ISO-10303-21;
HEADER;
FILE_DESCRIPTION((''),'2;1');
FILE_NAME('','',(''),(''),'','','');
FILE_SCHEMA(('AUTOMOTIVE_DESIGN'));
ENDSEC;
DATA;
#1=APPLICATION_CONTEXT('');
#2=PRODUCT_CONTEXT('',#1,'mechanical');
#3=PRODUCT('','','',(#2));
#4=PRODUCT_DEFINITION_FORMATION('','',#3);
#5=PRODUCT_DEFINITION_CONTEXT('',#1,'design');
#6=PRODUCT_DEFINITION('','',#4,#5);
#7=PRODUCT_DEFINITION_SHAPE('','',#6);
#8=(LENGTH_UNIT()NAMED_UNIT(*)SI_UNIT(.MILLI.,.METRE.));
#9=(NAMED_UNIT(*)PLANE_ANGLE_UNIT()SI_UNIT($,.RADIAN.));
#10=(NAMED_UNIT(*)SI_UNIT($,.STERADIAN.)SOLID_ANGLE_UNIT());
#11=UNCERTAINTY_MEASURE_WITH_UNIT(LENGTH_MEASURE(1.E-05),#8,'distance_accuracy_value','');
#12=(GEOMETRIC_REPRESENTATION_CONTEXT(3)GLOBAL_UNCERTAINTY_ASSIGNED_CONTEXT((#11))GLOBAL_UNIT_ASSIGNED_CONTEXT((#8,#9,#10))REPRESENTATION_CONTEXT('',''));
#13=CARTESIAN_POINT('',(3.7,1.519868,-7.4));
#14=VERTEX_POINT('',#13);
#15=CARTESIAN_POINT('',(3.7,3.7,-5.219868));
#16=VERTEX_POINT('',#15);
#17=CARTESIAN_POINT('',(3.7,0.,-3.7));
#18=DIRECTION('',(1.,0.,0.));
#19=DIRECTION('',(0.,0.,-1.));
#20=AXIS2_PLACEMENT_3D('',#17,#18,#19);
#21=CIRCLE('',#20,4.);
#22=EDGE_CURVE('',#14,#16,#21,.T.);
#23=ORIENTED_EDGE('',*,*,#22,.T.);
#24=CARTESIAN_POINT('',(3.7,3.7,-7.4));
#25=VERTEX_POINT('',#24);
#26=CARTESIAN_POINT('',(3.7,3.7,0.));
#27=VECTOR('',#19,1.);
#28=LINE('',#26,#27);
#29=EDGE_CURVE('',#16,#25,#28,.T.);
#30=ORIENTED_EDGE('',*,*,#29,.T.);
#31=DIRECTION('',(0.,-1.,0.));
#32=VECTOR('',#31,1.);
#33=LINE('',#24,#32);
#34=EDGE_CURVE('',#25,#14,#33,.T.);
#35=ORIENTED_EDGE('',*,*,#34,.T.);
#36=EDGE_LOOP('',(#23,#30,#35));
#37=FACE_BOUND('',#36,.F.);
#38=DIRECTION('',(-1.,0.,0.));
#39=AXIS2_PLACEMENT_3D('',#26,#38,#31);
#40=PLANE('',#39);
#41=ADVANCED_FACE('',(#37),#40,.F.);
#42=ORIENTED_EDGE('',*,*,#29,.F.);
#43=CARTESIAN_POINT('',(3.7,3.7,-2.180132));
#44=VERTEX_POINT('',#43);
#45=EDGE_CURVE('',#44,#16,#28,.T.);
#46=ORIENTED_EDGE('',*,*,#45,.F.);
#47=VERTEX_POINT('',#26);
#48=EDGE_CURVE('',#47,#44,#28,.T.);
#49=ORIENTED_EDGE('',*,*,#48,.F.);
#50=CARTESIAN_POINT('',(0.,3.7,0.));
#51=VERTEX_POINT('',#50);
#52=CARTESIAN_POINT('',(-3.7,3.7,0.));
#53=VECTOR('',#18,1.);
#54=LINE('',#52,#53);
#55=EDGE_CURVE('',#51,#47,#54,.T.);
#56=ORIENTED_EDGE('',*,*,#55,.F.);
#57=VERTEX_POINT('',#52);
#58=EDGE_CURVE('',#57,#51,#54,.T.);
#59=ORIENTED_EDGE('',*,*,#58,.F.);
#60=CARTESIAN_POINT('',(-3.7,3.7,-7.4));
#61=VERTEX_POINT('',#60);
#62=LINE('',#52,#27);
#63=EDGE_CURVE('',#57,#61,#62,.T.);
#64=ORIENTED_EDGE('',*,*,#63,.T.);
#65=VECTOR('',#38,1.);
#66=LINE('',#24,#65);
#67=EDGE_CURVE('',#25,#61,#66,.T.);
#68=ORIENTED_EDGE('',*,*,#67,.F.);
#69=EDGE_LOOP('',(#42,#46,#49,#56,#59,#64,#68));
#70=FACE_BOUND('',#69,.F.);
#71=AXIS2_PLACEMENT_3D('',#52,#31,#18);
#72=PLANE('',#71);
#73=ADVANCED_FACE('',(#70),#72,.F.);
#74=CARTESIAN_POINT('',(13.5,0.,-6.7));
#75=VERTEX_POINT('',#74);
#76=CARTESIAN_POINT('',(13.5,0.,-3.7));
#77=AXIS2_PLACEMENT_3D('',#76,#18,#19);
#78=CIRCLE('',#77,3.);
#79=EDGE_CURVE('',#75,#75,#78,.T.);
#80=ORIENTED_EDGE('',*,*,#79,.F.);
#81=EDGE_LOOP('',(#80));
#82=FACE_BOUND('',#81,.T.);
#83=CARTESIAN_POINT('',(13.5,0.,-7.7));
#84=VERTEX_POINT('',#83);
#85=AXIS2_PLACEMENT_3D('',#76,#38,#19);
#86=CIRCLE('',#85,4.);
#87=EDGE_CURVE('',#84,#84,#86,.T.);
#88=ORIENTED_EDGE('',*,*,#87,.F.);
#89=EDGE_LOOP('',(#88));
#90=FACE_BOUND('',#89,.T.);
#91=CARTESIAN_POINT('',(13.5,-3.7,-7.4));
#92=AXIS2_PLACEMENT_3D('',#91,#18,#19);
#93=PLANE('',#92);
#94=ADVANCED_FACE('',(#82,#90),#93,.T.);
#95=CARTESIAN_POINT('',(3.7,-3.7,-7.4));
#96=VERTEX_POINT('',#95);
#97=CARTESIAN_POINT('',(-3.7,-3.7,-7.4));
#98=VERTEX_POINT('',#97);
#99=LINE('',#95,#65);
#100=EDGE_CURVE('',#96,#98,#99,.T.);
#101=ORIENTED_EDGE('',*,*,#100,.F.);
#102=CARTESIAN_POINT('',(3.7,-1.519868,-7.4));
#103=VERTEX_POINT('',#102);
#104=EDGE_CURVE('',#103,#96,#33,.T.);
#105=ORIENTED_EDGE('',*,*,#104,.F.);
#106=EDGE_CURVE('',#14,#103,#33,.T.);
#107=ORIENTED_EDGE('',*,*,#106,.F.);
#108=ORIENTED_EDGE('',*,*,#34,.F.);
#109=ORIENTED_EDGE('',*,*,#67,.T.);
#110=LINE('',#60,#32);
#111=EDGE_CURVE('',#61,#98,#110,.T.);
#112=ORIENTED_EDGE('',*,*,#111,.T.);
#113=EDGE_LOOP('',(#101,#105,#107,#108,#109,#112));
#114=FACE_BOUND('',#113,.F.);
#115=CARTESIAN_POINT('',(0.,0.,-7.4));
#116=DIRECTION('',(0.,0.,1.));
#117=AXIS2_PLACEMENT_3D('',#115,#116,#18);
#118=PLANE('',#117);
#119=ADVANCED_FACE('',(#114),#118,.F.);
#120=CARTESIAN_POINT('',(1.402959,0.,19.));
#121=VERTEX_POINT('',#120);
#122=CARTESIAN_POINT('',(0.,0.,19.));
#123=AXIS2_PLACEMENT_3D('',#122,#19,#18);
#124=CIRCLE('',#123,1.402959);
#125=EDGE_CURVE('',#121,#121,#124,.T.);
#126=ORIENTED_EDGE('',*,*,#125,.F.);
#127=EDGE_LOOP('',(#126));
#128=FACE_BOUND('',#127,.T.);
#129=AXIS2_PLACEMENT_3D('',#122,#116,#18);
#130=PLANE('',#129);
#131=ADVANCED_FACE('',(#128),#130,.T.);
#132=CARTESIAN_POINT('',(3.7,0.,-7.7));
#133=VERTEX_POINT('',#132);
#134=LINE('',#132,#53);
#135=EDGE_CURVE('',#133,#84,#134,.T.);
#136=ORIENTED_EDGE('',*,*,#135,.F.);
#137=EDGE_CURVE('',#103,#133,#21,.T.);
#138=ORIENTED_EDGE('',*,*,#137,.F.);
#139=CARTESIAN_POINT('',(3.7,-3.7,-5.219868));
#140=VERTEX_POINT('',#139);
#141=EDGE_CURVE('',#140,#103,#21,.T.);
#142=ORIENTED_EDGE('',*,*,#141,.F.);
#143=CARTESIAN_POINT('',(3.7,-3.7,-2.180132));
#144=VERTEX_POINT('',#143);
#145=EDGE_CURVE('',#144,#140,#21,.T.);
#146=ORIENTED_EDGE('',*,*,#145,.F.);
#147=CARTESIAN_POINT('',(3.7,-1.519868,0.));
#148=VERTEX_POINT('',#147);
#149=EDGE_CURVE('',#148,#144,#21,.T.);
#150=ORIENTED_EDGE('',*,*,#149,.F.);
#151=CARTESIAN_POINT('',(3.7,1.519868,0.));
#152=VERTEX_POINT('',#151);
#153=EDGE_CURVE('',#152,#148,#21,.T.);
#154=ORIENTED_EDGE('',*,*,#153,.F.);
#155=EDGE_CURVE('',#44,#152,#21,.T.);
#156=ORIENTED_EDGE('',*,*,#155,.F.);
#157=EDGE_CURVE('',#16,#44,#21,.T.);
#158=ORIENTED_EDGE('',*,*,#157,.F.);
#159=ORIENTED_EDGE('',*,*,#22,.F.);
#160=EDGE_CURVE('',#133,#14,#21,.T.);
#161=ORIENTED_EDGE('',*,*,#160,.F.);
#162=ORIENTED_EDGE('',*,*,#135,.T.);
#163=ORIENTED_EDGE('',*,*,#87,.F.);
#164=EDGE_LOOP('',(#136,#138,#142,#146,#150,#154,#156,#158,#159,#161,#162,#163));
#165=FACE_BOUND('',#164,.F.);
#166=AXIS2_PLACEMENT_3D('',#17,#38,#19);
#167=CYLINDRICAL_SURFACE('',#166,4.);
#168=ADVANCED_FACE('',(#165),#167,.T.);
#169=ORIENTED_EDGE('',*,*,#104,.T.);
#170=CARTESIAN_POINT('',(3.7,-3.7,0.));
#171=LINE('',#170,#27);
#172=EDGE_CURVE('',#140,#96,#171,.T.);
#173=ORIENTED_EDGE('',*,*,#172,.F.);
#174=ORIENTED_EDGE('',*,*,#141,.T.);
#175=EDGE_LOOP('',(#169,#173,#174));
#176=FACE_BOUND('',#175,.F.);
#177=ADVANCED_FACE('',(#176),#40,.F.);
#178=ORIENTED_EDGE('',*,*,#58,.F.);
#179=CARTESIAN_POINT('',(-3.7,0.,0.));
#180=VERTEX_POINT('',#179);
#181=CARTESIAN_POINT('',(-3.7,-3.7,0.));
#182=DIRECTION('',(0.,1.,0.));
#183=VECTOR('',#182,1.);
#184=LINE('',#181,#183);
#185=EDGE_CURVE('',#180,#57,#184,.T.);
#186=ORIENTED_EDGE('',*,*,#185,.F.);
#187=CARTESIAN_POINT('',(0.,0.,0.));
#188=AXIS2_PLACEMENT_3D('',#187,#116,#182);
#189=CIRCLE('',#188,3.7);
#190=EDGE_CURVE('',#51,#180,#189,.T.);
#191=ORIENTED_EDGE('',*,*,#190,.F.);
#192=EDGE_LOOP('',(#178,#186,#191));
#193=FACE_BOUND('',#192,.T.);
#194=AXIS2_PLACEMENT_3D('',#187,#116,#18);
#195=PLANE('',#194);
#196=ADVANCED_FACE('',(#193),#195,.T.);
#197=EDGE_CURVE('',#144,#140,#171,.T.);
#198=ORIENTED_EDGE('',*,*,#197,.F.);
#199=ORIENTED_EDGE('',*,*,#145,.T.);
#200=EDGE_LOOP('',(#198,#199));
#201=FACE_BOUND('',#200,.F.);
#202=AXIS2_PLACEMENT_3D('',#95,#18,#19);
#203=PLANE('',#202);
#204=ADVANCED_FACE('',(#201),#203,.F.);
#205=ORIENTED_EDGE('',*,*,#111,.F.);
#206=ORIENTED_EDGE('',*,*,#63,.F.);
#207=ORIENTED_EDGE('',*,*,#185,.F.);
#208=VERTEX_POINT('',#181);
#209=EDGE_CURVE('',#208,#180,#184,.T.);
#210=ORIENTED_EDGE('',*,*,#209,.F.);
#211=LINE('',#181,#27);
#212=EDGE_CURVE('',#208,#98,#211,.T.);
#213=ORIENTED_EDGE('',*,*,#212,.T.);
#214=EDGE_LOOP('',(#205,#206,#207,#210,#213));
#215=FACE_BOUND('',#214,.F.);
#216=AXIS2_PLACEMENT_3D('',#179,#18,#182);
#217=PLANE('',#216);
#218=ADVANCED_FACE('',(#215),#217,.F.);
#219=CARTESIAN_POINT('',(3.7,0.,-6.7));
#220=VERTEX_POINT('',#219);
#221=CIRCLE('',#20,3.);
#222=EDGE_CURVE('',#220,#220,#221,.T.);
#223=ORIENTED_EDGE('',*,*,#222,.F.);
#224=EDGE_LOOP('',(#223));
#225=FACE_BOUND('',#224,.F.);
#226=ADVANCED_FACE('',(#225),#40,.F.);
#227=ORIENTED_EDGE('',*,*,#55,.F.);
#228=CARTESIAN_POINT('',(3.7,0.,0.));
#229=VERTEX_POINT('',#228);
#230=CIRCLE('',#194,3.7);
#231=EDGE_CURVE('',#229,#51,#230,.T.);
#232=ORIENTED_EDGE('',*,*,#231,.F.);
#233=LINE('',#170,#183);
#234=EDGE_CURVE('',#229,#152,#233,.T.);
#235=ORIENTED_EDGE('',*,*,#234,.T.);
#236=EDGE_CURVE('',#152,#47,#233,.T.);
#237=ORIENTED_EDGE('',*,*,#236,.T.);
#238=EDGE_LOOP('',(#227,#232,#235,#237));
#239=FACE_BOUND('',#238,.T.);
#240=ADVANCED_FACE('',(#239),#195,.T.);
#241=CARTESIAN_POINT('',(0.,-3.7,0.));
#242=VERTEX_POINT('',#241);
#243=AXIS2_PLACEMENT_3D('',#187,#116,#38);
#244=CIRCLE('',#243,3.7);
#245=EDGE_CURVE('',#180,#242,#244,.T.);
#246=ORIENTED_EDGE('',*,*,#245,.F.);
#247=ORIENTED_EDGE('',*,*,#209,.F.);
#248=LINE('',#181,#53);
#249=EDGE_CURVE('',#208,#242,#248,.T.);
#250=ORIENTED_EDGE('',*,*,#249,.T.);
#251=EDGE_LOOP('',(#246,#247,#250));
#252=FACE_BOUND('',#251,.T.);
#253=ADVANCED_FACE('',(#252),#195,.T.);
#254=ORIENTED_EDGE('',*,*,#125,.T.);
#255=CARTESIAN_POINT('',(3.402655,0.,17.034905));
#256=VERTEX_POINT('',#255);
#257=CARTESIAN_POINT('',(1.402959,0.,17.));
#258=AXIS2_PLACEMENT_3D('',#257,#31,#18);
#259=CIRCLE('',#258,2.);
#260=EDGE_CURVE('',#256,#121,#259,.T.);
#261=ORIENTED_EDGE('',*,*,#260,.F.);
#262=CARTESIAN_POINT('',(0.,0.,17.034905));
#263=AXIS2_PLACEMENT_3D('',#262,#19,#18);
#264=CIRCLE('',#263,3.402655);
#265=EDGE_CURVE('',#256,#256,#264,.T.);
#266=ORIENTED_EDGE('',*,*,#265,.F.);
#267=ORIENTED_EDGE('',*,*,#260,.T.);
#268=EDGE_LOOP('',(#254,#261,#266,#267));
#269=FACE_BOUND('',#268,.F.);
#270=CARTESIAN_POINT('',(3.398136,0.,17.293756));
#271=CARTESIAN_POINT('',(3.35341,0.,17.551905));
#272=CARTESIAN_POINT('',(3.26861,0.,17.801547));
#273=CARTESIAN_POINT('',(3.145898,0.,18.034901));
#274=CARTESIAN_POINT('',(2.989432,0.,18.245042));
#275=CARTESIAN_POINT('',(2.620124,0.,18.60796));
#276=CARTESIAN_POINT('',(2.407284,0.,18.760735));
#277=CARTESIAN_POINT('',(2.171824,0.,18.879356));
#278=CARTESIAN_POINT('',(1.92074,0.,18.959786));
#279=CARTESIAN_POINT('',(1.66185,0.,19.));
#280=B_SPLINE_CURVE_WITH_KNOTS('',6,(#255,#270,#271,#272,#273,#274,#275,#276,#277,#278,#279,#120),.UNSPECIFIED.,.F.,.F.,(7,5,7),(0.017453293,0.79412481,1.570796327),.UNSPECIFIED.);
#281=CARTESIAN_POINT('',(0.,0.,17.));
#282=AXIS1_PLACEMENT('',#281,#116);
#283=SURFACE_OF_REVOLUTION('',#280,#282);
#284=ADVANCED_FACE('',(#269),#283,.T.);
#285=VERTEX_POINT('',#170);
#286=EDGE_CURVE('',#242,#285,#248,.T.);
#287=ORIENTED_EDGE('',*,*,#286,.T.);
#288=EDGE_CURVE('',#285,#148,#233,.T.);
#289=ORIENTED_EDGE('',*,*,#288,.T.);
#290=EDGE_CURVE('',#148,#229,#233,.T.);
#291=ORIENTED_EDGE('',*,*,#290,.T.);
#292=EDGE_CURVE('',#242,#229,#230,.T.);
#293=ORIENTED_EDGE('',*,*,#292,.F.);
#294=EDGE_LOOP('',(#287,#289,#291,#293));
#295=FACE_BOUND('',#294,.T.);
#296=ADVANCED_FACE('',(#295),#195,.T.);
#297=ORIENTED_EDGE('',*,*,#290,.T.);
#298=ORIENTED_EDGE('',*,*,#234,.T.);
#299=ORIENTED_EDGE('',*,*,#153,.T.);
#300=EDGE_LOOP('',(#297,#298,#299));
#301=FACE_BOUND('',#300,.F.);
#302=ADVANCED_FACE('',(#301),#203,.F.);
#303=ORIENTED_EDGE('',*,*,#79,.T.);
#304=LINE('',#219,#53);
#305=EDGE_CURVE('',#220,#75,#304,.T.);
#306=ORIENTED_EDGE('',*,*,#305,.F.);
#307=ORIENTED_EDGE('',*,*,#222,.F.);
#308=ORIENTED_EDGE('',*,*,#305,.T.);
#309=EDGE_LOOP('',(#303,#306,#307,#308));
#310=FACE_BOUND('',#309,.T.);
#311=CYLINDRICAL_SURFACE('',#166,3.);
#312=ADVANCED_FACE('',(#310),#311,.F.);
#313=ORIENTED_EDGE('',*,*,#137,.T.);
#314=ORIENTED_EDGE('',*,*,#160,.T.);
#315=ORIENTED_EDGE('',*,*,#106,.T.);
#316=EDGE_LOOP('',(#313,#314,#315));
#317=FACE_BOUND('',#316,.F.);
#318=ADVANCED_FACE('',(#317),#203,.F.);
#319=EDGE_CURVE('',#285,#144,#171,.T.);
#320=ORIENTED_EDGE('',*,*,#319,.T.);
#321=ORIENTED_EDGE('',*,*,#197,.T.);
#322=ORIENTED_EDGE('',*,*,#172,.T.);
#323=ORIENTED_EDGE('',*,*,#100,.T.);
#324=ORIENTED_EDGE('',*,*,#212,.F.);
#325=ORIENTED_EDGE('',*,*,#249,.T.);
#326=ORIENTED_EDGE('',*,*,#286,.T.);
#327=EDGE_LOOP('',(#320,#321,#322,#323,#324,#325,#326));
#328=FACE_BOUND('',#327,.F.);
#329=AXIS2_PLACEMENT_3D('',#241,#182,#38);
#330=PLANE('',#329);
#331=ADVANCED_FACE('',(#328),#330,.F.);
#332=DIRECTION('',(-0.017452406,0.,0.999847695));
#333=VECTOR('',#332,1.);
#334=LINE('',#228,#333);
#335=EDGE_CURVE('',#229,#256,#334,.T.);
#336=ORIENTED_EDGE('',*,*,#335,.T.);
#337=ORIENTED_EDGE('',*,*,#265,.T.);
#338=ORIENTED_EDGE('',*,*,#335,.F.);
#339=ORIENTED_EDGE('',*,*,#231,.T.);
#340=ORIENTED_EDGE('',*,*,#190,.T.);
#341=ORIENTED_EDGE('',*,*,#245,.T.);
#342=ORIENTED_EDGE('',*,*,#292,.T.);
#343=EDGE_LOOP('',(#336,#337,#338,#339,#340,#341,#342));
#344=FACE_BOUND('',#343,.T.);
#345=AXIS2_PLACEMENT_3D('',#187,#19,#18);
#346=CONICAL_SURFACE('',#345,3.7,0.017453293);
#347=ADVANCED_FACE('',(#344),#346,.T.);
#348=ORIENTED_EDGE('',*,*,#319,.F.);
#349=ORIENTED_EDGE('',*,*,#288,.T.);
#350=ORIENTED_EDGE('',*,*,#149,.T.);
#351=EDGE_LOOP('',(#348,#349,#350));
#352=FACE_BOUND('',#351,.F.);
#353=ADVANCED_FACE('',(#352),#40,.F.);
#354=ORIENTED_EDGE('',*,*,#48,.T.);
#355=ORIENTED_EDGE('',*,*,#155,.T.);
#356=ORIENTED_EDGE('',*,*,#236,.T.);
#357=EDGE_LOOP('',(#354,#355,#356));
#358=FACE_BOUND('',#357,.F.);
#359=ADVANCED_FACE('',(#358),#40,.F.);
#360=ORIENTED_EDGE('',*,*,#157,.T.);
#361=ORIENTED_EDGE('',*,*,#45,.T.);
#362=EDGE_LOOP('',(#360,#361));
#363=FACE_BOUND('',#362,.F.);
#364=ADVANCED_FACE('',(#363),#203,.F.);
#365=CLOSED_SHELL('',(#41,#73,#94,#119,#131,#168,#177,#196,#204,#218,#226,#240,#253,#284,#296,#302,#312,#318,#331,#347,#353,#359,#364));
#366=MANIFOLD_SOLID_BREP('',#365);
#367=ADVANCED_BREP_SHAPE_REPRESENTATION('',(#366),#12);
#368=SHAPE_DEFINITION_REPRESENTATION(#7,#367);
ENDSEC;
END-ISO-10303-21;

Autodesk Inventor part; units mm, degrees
ref_plane "YZ Plane" through (0, 0, 0) normal (1, 0, 0) x (0, 1, 0)
ref_plane "XZ Plane" through (0, 0, 0) normal (0, 1, 0) x (-1, 0, 0)
ref_plane "XY Plane" through (0, 0, 0) normal (0, 0, 1) x (1, 0, 0)
sketch "Skizze1" plane through (0, 0, 0) normal (0, 0, 1) x (1, 0, 0)
  line L0 (-3.7, 3.7) -> (3.7, 3.7)
  line L1 (3.7, 3.7) -> (3.7, -3.7)
  line L2 (3.7, -3.7) -> (-3.7, -3.7)
  line L3 (-3.7, -3.7) -> (-3.7, 3.7)
  line L4 (0, 5.18) -> (0, -5.18) projected
  line L5 (-5.18, 0) -> (5.18, 0) projected
  point P0 (0, 0)
  dimension "d0" = 7.4
  dimension "d1" = 7.4
extrude "Extrusion1" add sketch "Skizze1" against normal blind 7.4
sketch "Skizze2" plane through (0, 0, 0) normal (0, 0, 1) x (1, 0, 0)
  circle A0 centre (0, 0) radius 3.7
  dimension "d4" = 7.4
extrude "Extrusion2" add sketch "Skizze2" along normal blind 19 draft -1
fillet "Rundung1" radius 2 1 edges at (-3.3684, 0, 19)
sketch "Skizze3" plane through (3.7, -3.7, -7.4) normal (1, 0, 0) x (0, 0, -1)
  line L0 (-7.4, 7.4) -> (-7.4, 3.7) projected
  line L1 (-7.4, 3.7) -> (-7.4, 0) projected
  line L2 (-7.4, 0) -> (0, 0) projected
  line L3 (0, 7.4) -> (0, 0) projected
  line L4 (-7.4, 7.4) -> (0, 7.4) projected
  line L5 (-7.4, 3.7) -> (0, 3.7) construction
  line L6 (0, 7.4) -> (0, 0) construction
  line L7 (-7.4, 0) -> (0, 0) construction
  line L8 (-3.7, 0) -> (-3.7, 7.4) construction
  line L9 (-7.4, 7.4) -> (0, 7.4) construction
  circle A0 centre (-3.7, 3.7) radius 4
  circle A1 centre (-3.7, 3.7) radius 3
  dimension "d8" = 8
  dimension "d9" = 6
extrude "Extrusion3" add sketch "Skizze3" along normal blind 9.8 contours A0 L4 L3 L2 L1 L0 | L0 L1 A0 | A0 L4 | L2 A0 | A0 L3
properties part number "Antenne-Klein" material "Aluminium 6061"
